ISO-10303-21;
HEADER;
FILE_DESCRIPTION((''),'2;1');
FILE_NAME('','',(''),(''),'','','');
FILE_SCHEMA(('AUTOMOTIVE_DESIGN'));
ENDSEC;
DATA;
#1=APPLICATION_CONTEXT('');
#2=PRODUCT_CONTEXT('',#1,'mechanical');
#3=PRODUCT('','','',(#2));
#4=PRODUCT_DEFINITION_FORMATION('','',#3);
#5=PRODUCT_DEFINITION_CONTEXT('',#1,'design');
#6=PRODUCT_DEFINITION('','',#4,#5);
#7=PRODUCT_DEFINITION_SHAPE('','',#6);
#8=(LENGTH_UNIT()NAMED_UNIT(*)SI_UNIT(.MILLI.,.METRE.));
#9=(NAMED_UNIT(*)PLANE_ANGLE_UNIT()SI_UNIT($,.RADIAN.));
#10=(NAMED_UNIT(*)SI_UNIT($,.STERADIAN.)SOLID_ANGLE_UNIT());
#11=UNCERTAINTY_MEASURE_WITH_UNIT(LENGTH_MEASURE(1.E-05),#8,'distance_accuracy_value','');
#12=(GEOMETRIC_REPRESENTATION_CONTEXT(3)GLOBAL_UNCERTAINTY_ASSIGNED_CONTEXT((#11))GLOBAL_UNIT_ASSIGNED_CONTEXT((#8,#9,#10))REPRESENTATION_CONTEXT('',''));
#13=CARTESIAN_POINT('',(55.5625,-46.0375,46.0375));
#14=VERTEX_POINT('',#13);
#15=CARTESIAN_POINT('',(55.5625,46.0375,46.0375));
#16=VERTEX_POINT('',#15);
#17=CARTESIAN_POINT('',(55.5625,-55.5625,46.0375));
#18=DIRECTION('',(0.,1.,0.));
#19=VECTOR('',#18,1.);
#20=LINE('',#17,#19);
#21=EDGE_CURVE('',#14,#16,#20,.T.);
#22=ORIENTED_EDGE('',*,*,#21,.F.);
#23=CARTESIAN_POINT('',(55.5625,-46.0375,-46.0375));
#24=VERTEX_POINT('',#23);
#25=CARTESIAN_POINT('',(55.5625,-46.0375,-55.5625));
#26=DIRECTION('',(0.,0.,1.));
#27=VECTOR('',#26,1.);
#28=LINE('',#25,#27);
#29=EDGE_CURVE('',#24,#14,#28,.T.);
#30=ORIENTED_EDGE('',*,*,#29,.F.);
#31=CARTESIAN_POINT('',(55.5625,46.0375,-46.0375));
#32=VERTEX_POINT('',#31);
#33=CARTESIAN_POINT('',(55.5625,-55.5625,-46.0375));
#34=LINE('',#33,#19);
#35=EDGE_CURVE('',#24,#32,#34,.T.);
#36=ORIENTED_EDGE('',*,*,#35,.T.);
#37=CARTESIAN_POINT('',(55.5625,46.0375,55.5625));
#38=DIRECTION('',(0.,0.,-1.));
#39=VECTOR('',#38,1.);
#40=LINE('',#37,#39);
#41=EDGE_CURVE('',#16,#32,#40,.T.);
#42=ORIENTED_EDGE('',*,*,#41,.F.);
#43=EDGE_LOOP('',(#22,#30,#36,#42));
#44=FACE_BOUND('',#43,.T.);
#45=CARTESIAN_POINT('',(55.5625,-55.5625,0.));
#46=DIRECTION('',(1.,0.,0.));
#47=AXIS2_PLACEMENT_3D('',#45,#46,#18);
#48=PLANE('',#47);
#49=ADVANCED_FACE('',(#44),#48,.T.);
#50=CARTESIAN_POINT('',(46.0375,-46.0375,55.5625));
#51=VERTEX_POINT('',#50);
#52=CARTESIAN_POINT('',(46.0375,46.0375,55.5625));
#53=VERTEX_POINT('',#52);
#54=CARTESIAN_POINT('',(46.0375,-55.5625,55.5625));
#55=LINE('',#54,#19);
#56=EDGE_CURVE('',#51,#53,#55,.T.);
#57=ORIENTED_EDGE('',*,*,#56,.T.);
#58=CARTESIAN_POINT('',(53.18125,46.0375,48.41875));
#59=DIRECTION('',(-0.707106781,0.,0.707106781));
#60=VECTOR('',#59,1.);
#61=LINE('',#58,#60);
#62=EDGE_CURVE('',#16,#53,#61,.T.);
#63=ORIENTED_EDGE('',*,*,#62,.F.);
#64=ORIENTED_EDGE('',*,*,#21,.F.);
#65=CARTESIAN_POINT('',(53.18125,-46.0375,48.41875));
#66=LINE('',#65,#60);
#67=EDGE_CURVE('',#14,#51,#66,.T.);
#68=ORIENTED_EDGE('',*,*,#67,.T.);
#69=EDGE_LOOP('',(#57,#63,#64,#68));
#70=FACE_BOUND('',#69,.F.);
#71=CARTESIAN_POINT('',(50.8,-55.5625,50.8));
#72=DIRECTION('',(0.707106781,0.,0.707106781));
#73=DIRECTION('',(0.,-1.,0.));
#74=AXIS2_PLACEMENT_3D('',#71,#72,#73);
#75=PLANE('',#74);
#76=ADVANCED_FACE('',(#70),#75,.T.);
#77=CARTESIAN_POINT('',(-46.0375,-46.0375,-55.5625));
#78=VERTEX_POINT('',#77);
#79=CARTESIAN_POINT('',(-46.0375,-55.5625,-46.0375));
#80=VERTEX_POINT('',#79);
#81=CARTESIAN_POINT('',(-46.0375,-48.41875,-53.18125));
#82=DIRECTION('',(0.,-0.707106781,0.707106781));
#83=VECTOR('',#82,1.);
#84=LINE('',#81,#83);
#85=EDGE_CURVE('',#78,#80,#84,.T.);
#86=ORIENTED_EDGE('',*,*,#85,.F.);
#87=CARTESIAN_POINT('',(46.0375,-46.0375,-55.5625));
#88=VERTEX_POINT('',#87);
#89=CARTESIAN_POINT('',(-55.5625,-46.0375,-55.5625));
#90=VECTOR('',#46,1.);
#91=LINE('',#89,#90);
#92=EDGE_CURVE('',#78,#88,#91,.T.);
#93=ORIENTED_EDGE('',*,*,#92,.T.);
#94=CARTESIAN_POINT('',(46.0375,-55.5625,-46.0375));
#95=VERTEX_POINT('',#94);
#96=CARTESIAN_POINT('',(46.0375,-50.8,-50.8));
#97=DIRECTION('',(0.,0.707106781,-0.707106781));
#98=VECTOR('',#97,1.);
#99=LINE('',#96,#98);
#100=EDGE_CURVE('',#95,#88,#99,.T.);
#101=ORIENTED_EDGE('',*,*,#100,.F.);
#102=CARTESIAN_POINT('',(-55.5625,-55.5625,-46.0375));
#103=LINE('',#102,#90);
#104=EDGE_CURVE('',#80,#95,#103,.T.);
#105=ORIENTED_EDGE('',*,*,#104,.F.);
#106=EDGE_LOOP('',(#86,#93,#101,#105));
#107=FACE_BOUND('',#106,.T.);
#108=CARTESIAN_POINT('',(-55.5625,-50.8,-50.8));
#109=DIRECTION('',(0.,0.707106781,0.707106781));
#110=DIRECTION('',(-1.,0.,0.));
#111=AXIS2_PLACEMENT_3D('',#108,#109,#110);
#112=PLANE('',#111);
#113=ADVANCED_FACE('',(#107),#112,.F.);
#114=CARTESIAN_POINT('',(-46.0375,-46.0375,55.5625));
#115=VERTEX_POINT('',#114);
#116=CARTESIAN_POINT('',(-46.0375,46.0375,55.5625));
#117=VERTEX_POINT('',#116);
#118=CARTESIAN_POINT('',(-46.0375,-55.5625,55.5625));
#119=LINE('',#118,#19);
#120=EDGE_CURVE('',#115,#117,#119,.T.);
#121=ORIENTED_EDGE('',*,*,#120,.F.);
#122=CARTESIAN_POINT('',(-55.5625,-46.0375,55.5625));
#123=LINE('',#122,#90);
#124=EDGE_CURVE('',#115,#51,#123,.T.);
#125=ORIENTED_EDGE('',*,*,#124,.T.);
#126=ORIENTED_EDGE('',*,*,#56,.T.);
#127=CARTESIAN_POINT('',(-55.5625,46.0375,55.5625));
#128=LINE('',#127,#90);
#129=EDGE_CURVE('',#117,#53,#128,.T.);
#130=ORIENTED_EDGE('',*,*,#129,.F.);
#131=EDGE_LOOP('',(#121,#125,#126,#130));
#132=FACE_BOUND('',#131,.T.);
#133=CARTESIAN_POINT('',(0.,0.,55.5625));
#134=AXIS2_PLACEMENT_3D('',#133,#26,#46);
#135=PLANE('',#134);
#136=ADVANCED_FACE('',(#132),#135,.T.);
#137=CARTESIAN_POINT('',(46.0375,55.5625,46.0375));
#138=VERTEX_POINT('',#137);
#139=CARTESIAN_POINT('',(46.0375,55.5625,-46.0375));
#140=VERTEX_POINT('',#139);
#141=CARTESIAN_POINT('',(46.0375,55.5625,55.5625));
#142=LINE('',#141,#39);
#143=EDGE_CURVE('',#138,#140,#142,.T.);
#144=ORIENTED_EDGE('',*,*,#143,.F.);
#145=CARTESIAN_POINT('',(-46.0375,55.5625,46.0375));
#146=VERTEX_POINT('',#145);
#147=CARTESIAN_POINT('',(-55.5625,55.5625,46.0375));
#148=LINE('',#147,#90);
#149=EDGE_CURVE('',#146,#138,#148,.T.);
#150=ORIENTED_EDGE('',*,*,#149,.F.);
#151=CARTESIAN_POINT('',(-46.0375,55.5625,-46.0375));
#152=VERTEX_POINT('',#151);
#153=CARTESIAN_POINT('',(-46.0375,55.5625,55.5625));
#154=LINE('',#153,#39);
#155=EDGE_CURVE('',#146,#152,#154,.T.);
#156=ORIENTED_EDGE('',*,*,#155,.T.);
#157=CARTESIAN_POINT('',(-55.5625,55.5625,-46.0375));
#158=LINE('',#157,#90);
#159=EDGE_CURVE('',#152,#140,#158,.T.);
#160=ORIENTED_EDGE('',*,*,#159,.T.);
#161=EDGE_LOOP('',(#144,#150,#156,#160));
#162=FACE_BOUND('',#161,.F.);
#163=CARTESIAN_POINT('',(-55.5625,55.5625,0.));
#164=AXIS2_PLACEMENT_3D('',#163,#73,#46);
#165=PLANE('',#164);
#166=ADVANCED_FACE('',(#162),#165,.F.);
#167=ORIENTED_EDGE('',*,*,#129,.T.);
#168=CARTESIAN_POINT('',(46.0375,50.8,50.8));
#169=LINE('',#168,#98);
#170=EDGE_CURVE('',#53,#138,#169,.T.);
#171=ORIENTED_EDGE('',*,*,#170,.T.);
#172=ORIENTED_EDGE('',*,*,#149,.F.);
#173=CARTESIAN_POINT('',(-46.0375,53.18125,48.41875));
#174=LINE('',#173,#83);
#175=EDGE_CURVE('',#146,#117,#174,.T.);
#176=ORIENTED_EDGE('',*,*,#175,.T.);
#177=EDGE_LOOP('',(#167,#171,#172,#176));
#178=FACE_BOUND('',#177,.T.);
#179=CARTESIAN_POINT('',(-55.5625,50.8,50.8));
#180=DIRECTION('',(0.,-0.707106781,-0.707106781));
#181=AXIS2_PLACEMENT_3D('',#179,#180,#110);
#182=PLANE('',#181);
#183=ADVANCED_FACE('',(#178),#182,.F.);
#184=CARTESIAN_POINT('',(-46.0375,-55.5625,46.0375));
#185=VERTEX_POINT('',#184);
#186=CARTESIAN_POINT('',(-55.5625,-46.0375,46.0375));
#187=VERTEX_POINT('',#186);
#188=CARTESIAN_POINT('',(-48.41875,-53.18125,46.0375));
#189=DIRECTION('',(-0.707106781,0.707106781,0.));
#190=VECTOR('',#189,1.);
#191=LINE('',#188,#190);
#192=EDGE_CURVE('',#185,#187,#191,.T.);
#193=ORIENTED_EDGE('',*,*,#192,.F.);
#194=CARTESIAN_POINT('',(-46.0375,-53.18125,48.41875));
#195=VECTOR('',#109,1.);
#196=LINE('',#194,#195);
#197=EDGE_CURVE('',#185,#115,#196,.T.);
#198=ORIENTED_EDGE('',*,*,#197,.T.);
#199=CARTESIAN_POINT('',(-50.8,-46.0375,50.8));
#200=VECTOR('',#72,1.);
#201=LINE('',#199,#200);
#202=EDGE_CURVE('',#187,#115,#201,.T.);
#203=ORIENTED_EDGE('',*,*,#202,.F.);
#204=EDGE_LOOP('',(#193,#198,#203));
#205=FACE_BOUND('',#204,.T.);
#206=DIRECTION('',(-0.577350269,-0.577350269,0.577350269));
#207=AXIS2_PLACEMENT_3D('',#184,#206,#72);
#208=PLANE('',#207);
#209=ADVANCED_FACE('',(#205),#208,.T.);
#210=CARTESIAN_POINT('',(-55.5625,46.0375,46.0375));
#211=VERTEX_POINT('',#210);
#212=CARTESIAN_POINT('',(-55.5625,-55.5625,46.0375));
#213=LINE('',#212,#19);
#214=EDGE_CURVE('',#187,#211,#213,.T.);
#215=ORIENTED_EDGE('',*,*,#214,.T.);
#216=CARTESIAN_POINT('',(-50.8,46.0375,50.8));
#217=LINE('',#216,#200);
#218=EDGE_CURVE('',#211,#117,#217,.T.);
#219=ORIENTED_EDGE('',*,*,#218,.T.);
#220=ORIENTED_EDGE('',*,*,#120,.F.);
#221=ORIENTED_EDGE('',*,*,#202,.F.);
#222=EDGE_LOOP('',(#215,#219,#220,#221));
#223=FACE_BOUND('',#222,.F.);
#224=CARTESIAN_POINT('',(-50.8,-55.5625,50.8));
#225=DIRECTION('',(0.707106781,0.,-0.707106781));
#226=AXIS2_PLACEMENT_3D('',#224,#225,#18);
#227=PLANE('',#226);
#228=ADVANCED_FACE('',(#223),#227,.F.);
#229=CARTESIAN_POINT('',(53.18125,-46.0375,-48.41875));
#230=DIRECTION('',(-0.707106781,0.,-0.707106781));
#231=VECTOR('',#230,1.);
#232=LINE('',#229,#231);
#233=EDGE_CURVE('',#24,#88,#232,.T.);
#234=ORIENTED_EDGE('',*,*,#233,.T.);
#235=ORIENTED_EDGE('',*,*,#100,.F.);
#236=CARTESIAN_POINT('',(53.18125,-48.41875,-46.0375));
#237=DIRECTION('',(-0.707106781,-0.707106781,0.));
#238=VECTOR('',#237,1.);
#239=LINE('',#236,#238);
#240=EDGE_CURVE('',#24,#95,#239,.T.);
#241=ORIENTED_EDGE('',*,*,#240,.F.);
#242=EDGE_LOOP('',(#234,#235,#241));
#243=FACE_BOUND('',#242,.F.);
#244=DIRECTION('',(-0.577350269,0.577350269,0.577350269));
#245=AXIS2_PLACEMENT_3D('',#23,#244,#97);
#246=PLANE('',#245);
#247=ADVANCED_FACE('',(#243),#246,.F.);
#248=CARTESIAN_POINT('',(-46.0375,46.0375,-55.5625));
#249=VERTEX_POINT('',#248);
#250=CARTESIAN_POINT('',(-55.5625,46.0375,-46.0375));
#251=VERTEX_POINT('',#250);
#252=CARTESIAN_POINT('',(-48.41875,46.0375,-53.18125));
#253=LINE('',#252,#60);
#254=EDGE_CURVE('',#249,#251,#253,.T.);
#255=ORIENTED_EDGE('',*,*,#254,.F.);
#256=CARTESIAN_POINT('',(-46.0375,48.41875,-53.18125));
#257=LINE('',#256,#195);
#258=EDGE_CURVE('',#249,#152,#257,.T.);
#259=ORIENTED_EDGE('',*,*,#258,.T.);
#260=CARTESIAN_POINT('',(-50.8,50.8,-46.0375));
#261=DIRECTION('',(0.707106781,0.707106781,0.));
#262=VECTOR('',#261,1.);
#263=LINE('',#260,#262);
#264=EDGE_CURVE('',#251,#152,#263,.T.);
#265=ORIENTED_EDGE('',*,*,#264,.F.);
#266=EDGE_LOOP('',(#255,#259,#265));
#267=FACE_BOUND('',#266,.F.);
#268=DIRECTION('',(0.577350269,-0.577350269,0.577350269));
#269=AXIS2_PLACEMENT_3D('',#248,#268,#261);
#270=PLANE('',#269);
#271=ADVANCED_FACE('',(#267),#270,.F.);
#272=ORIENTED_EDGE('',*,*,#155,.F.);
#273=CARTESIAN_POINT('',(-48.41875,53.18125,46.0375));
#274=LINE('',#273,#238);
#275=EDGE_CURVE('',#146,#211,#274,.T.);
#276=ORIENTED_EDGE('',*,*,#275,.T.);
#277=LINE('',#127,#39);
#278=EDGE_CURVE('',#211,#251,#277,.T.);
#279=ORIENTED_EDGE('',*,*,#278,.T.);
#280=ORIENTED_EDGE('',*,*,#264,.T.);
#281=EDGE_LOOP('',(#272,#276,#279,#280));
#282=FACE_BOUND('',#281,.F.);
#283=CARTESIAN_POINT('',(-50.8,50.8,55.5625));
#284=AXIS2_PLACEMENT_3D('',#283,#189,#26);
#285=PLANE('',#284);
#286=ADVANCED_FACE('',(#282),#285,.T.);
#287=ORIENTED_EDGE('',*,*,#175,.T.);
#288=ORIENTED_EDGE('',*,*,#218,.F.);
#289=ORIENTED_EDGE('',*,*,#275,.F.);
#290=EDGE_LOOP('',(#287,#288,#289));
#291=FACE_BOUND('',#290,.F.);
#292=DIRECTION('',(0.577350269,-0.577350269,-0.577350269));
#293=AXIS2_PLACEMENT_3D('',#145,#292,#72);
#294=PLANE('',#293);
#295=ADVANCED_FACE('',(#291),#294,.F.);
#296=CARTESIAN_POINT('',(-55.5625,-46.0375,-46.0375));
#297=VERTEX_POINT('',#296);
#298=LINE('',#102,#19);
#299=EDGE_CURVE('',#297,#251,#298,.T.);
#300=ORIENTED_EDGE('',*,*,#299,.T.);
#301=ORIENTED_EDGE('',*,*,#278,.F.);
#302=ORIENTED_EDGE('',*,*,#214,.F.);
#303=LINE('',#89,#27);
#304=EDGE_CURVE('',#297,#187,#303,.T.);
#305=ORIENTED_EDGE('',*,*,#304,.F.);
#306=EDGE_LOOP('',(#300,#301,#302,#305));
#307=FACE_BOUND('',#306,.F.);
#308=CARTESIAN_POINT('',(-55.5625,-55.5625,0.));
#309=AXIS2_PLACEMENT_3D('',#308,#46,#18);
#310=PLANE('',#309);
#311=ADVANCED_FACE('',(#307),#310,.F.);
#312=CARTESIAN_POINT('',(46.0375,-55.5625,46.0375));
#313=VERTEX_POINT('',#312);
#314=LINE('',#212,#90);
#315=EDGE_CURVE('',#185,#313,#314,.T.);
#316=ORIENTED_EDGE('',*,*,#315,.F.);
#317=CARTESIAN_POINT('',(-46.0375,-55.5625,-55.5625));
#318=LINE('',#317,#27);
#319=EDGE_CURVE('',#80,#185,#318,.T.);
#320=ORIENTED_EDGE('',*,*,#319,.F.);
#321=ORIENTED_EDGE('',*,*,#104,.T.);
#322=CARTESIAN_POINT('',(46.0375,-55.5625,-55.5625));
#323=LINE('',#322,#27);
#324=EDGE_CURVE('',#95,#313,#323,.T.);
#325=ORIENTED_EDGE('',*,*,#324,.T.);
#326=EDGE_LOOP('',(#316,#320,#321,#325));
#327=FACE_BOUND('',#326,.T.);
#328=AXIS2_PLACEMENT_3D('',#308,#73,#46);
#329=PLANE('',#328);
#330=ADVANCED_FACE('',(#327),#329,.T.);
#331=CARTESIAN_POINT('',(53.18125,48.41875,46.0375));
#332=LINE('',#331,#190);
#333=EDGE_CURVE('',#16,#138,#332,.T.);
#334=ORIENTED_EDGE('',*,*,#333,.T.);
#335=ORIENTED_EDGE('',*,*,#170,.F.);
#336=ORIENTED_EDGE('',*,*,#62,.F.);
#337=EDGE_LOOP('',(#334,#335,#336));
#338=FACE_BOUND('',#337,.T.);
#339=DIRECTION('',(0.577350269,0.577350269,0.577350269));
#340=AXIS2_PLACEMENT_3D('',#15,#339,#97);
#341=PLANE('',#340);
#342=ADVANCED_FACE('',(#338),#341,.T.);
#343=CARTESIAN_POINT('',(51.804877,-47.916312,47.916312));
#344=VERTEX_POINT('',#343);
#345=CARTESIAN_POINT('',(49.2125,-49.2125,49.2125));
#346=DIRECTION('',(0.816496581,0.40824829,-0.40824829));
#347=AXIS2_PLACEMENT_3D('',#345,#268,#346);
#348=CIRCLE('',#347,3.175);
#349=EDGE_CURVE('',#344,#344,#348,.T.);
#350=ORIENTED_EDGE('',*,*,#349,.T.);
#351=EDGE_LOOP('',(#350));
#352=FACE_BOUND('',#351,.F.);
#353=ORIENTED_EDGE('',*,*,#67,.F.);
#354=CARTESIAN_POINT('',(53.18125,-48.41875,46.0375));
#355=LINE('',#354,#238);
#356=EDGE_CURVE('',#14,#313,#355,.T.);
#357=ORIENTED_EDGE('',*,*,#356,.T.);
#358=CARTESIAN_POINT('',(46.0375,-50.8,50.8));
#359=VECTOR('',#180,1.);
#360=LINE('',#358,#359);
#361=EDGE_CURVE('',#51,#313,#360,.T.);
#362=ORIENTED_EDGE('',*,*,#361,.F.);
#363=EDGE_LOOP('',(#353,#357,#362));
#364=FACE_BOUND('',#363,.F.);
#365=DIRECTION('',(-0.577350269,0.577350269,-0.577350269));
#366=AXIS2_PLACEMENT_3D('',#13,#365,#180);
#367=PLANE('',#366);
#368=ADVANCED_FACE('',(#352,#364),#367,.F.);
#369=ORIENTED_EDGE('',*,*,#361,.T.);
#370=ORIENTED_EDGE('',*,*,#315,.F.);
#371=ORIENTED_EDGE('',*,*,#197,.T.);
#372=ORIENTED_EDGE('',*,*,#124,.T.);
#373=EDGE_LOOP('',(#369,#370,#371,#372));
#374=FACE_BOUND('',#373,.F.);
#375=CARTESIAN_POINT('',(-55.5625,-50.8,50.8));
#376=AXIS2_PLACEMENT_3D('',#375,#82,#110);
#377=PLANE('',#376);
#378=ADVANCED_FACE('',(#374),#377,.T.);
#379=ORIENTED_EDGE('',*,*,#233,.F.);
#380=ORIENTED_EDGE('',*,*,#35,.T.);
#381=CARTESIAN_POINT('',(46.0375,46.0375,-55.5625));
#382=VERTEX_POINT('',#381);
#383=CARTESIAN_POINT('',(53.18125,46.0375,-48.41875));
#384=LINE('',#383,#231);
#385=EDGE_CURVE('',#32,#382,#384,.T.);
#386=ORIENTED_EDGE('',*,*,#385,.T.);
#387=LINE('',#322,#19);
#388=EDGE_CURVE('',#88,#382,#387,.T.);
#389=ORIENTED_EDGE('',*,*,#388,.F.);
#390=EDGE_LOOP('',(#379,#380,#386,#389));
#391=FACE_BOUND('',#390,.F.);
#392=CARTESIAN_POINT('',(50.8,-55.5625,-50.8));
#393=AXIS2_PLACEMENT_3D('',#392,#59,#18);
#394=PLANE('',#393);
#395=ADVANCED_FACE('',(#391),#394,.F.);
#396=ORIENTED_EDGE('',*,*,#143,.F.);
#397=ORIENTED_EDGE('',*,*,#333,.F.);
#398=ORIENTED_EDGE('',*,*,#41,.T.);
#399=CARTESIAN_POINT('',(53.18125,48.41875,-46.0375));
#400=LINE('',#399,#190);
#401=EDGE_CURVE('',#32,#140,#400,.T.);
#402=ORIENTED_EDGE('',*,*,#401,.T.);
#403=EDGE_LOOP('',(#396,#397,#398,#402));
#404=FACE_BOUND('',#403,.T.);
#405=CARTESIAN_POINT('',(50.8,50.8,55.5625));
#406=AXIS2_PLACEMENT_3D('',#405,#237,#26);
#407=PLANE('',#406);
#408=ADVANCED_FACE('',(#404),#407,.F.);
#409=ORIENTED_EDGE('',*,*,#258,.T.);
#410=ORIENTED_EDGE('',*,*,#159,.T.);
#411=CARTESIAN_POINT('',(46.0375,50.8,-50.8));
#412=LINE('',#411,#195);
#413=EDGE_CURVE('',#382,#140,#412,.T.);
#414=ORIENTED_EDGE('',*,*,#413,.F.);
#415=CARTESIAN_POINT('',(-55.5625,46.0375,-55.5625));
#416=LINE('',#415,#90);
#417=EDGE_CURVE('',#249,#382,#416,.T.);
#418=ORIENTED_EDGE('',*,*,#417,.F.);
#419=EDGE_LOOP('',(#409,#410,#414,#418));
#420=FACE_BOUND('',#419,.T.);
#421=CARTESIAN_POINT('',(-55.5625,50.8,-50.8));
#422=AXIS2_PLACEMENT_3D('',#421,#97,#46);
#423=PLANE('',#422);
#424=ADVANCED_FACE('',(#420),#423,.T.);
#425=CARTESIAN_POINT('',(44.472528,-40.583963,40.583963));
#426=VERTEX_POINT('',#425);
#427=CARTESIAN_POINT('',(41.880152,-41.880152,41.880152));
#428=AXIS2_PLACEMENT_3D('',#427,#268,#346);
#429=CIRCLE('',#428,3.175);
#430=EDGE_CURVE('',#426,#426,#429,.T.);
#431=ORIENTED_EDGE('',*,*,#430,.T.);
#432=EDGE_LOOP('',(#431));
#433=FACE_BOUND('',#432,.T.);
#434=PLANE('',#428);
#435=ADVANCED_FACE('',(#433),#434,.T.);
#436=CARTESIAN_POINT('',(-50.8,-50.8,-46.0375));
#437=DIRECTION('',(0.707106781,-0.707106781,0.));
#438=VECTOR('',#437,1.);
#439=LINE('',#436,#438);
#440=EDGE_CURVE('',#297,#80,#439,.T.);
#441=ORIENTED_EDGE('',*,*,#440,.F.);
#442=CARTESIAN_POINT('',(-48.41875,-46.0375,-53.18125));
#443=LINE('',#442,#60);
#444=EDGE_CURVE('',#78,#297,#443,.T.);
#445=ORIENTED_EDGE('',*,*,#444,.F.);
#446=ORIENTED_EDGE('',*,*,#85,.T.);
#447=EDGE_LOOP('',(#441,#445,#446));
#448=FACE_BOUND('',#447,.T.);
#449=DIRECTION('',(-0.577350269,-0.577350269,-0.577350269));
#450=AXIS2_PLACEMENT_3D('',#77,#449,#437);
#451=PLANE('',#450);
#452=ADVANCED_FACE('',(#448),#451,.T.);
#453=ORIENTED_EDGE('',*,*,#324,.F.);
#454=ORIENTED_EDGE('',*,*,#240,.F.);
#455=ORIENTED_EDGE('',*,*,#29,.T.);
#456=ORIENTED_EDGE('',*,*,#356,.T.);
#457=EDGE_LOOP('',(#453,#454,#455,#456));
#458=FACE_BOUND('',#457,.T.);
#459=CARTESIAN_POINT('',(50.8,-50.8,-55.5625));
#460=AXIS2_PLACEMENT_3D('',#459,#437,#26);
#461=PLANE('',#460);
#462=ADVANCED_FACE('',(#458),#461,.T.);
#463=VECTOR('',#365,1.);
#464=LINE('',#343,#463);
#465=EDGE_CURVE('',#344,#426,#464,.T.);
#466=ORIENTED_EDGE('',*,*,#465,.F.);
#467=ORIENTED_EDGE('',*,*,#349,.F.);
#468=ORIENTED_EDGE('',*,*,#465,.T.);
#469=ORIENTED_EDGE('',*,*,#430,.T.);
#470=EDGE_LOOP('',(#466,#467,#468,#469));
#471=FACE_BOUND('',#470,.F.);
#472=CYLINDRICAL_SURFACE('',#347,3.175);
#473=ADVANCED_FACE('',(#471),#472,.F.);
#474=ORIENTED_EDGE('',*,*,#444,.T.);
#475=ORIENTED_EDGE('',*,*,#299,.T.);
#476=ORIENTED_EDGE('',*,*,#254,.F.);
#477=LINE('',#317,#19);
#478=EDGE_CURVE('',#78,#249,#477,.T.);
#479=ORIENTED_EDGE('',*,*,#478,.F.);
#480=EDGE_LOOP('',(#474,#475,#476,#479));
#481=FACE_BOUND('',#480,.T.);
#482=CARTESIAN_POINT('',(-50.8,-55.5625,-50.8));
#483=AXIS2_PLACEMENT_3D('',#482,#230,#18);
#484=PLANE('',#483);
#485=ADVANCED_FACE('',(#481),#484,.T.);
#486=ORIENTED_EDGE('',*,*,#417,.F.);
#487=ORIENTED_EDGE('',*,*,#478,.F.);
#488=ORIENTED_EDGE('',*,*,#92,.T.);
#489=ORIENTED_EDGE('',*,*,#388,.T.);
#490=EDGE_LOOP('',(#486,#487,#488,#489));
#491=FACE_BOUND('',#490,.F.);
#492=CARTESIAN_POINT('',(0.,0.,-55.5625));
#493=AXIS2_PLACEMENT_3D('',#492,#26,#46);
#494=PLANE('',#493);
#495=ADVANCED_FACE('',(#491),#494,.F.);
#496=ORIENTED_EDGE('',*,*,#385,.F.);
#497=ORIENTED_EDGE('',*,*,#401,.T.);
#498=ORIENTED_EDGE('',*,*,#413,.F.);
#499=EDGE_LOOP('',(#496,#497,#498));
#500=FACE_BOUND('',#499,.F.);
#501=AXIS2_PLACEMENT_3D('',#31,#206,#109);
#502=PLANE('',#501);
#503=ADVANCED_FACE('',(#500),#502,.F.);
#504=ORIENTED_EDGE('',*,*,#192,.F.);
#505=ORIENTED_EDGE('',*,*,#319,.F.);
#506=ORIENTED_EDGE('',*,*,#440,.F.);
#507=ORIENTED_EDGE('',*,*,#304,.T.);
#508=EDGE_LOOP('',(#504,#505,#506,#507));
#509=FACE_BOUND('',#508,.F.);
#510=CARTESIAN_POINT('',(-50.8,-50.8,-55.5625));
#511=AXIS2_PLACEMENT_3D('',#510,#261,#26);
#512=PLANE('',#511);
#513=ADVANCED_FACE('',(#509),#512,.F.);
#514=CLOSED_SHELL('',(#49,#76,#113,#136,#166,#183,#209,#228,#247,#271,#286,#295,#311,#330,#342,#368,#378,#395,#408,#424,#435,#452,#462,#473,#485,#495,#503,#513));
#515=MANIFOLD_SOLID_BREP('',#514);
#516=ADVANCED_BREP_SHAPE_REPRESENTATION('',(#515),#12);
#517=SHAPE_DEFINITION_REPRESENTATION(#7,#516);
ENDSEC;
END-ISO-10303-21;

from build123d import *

# Parameters (mm, degrees)
F0_W     = 111.125
F0_H     = 111.125
F1_DEPTH = 55.5625
F2_SIZE  = 9.525
F3_R     = 3.175
F4_DEPTH = 12.7


with BuildPart() as f1:
    # F0 (on Top) → F1 (new body, symmetric)
    with BuildSketch(Plane.XY):
        Rectangle(F0_W, F0_H)
    extrude(amount=F1_DEPTH, both=True)

    # F2
    f2_edges = [f1.edges().sort_by_distance(p)[0] for p in [
        (-55.5625, 0, 55.5625),
        (-55.5625, 55.5625, 0),
        (-55.5625, -55.5625, 0),
        (-55.5625, 0, -55.5625),
        (0, -55.5625, -55.5625),
        (0, 55.5625, -55.5625),
        (0, 55.5625, 55.5625),
        (0, -55.5625, 55.5625),
        (55.5625, 0, 55.5625),
        (55.5625, -55.5625, 0),
        (55.5625, 0, -55.5625),
        (55.5625, 55.5625, 0),
    ]]
    chamfer(f2_edges, length=F2_SIZE)

    # F3 (on face) → F4 (cut)
    with BuildSketch(Plane(origin=(49.2125, -49.2125, 49.2125), x_dir=(0.816497, 0.408248, -0.408248), z_dir=(0.57735, -0.57735, 0.57735))):
        Circle(F3_R)
    extrude(amount=-F4_DEPTH, mode=Mode.SUBTRACT)


solid = f1.part
